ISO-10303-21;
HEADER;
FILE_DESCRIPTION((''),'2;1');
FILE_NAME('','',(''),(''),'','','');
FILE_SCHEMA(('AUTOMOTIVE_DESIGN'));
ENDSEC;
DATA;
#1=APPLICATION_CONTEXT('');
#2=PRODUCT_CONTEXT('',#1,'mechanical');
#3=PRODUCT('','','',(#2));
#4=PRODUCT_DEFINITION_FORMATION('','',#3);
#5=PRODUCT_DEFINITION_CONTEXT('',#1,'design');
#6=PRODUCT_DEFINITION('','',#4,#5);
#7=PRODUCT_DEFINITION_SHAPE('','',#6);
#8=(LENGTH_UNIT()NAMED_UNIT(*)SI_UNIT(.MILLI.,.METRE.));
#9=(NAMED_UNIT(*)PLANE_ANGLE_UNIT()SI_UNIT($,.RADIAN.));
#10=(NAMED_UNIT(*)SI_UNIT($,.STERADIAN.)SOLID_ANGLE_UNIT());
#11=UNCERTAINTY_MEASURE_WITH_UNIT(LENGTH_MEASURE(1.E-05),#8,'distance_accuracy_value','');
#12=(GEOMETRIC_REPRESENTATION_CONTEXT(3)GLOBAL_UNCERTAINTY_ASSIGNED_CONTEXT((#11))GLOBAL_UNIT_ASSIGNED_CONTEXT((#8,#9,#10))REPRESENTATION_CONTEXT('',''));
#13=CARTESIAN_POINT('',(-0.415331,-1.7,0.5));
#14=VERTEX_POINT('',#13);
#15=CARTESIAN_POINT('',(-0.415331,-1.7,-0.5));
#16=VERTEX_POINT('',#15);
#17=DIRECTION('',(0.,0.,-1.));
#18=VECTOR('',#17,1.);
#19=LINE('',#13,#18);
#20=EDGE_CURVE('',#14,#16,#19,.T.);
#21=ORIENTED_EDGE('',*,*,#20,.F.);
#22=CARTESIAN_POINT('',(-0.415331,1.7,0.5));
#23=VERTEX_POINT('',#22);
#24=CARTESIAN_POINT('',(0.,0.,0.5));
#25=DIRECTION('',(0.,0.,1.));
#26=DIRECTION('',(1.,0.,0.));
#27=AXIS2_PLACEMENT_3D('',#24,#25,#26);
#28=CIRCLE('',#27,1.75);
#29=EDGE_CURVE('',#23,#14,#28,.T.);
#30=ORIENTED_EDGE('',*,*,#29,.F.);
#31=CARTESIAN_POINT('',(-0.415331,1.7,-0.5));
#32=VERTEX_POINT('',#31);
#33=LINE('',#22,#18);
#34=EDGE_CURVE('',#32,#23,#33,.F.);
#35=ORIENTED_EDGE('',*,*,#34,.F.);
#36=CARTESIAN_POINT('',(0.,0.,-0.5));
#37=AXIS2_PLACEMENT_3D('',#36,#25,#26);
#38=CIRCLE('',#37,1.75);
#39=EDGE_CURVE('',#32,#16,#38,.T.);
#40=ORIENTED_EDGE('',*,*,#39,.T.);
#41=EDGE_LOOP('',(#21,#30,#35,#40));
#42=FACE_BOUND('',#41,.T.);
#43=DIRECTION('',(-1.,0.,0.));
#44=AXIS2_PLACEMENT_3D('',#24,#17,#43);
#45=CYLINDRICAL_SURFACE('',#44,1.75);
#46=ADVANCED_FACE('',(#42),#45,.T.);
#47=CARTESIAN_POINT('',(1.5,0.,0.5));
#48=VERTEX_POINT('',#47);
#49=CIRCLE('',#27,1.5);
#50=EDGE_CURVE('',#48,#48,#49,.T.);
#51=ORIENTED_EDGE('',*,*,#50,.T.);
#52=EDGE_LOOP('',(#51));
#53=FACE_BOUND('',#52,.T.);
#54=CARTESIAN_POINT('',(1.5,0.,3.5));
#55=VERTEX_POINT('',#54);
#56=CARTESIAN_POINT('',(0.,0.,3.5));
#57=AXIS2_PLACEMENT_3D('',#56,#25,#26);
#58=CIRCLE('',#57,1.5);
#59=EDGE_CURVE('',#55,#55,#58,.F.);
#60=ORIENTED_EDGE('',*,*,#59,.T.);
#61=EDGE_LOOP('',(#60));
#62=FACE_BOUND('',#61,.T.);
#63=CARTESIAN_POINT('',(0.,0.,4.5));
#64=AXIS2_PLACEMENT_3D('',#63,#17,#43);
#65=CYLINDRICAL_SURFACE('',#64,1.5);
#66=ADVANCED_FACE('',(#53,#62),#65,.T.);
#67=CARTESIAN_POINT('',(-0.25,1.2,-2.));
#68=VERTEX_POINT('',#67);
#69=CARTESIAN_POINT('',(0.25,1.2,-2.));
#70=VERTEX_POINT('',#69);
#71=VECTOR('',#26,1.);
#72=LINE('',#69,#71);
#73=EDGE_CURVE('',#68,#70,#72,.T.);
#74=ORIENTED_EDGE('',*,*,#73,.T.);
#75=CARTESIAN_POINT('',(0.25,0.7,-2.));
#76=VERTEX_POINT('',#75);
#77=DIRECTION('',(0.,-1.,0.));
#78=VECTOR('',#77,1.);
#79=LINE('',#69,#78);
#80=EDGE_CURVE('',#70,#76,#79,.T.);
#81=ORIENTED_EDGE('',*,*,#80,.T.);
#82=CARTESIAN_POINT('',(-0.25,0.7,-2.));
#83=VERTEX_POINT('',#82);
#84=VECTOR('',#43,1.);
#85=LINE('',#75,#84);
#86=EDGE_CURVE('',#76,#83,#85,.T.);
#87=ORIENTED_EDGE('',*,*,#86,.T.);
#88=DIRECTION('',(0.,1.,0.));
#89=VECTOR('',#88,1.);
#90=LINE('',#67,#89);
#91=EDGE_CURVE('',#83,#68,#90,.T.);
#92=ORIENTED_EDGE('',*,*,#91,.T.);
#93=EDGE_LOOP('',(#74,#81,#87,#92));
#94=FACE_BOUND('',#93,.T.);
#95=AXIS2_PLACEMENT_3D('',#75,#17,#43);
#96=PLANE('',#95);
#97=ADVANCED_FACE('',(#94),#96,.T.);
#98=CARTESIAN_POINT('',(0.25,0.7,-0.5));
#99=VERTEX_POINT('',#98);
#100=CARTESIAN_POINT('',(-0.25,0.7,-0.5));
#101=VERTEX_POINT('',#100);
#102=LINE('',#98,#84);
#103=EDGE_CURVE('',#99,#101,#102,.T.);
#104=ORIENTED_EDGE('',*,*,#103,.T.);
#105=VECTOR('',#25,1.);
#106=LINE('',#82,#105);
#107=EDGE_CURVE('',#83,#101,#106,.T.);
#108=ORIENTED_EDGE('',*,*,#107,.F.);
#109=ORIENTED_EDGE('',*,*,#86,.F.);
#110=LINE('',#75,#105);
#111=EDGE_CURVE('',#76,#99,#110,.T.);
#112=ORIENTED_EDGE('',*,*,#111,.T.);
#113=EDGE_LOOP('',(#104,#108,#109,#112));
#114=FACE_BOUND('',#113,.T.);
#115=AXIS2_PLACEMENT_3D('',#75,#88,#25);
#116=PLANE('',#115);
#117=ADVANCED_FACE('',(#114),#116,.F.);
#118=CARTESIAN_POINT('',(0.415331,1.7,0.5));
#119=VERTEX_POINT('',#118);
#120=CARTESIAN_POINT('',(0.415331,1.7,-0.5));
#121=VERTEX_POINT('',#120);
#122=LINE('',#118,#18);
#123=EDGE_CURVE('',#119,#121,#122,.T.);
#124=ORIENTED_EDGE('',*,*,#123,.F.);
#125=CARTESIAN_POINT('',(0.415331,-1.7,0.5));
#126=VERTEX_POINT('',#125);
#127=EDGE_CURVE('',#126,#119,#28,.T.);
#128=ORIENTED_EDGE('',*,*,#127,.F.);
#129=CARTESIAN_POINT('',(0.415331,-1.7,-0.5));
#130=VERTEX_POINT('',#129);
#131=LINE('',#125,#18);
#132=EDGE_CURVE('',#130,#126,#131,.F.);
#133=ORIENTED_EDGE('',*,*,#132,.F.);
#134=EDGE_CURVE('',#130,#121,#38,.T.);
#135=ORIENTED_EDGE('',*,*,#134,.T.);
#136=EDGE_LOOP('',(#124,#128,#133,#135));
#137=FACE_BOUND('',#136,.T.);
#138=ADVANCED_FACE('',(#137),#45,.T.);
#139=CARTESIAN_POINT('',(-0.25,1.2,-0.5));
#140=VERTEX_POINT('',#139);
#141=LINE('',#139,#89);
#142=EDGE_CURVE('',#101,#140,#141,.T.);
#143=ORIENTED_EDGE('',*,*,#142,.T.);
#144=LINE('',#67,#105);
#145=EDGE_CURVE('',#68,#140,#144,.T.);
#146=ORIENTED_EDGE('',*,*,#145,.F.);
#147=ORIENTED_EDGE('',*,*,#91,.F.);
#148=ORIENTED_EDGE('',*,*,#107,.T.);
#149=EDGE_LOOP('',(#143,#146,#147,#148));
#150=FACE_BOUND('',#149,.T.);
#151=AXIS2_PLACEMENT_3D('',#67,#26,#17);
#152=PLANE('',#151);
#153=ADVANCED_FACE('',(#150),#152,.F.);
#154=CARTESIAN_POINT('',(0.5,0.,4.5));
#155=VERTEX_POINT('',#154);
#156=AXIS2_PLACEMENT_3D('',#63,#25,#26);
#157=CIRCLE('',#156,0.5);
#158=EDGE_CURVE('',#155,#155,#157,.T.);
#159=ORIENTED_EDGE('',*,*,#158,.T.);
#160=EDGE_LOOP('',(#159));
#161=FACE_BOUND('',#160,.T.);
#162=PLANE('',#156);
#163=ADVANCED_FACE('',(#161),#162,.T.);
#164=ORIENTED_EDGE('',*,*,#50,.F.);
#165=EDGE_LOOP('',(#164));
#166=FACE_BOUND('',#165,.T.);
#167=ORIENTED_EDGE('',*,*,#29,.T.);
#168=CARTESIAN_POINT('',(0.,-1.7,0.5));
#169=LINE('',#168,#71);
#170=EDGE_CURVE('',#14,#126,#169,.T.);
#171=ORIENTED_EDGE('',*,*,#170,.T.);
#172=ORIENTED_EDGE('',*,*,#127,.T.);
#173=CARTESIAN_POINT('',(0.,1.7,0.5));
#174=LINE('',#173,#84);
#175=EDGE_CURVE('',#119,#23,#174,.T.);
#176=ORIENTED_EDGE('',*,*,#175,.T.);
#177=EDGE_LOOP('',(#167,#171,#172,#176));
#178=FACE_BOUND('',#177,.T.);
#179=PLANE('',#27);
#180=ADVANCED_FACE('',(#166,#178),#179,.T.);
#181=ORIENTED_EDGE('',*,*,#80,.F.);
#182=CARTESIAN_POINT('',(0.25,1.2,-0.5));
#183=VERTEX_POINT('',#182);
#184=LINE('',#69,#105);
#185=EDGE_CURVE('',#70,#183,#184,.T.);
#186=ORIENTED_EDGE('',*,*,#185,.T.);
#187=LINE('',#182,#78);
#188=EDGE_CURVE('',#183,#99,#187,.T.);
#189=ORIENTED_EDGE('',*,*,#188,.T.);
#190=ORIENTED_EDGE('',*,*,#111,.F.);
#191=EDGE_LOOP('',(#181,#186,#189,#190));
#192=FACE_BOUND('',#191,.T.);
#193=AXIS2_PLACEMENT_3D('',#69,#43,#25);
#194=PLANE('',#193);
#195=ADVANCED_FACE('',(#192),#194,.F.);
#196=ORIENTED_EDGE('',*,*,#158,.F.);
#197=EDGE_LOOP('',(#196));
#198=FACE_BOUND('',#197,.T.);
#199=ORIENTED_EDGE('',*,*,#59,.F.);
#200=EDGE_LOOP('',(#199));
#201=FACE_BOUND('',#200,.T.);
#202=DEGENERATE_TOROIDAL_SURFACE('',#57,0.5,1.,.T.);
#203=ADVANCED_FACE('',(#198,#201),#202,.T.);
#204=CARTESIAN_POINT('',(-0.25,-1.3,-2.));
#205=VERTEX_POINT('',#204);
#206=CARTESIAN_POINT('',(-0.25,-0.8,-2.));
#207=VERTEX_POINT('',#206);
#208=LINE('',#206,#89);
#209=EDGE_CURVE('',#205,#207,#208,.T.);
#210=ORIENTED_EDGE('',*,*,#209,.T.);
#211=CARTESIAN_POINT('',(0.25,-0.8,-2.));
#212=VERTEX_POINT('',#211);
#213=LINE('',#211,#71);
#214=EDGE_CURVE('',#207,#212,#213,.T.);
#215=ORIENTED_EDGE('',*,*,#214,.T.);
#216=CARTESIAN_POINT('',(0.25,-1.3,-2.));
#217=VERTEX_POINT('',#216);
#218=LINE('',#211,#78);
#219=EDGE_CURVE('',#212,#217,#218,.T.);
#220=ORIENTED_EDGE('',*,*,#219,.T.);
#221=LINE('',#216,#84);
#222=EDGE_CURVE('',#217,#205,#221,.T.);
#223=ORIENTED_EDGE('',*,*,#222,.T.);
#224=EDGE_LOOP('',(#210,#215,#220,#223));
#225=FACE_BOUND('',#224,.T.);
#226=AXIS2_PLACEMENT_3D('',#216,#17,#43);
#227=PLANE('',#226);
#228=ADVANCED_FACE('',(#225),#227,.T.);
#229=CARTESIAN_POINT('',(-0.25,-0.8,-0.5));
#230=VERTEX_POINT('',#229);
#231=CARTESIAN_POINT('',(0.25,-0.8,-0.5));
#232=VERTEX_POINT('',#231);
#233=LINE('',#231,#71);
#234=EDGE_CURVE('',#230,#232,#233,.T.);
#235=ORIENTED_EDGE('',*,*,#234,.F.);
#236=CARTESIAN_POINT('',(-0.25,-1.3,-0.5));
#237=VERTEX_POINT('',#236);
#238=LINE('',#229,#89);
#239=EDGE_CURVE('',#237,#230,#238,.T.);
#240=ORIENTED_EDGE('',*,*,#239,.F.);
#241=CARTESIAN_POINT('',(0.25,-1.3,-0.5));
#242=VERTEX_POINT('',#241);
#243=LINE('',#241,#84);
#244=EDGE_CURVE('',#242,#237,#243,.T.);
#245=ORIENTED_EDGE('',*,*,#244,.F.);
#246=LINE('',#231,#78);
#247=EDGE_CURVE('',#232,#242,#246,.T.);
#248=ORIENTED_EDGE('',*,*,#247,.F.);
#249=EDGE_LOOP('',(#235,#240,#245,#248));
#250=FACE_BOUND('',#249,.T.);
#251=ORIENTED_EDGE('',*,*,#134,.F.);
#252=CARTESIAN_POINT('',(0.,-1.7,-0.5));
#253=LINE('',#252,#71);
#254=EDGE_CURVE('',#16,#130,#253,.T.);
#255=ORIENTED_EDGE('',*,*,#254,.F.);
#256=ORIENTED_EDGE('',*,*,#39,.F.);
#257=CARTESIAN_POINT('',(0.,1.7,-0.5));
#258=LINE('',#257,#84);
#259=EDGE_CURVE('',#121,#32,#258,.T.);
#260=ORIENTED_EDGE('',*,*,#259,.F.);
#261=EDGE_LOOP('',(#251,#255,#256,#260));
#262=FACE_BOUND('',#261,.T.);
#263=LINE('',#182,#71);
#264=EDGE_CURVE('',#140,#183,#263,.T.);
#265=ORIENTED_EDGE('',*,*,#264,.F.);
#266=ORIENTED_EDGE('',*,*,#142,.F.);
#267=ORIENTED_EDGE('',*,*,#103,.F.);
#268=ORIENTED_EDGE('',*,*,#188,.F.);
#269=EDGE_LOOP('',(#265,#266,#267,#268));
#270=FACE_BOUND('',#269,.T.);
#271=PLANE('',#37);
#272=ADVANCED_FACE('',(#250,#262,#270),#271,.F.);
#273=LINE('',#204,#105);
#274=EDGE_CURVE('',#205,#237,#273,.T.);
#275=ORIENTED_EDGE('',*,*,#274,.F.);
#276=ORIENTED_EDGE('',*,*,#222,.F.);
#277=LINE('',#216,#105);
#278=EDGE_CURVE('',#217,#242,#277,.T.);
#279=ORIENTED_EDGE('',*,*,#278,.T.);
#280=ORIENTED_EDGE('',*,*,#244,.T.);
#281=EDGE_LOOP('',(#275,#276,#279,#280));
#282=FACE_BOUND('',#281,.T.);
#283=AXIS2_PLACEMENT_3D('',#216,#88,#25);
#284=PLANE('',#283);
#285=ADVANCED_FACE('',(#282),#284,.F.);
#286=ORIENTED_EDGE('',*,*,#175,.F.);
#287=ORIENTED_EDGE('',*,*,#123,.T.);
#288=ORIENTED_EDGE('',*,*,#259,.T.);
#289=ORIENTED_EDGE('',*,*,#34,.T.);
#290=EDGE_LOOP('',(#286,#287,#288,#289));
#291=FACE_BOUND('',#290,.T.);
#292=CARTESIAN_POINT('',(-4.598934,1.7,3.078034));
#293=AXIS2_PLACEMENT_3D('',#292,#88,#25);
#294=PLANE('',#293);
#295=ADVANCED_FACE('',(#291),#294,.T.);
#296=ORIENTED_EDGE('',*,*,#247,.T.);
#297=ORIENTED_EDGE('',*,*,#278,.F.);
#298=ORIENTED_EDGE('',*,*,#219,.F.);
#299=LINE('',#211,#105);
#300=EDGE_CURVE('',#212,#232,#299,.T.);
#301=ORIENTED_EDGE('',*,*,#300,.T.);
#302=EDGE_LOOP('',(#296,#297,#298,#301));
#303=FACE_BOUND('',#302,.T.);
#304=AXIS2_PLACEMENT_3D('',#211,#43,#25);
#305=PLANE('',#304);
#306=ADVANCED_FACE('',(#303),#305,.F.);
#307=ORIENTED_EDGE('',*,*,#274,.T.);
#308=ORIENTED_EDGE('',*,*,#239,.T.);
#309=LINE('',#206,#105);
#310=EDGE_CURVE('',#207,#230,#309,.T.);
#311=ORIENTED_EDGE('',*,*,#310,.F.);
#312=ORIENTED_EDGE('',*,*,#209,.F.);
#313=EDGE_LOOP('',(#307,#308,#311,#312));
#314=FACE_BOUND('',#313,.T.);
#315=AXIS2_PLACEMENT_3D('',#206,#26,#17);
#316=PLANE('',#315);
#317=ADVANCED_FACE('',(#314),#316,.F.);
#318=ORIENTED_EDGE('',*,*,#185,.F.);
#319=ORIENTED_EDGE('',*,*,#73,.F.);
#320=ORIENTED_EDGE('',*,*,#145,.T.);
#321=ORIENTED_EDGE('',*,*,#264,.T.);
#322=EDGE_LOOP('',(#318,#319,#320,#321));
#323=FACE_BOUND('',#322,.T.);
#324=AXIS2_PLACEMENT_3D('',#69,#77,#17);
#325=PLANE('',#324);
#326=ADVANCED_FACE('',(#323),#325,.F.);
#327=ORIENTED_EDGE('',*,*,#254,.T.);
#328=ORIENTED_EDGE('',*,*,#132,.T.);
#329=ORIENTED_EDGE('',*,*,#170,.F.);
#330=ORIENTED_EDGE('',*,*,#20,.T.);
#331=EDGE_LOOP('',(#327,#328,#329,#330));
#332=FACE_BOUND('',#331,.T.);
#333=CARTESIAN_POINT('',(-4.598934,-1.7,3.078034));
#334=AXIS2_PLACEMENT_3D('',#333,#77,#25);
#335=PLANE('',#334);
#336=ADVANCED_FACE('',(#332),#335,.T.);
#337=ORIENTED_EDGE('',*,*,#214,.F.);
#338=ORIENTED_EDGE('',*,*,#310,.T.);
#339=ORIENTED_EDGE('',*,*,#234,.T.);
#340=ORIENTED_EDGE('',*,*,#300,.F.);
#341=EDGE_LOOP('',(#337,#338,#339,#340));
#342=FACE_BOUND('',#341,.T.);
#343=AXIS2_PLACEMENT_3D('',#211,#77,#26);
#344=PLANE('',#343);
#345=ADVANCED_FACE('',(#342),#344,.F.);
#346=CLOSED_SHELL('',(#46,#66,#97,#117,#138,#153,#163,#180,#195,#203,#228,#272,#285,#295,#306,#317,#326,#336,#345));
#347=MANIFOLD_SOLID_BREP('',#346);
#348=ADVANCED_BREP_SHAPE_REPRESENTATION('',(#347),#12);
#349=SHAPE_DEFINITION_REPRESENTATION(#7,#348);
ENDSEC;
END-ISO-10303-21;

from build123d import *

# Parameters (mm, degrees)
SKETCH1_R      = 1.75
EXTRUDE1_DEPTH = 0.5
SKETCH2_R      = 1.5
EXTRUDE2_DEPTH = 4
FILLET2_R      = 1
SKETCH4_W      = 13.081078865
SKETCH4_H      = 5.810496129
EXTRUDE3_DEPTH = 1.3
SKETCH5_W      = 0.5
SKETCH5_H      = 0.5
EXTRUDE4_DEPTH = 1.5


with BuildPart() as part:
    # Sketch1 → Extrude1 (new, symmetric)
    with BuildSketch(Plane.XY):
        Circle(SKETCH1_R)
    extrude(amount=EXTRUDE1_DEPTH, both=True)

    # Sketch2 → Extrude2 (add)
    with BuildSketch(Plane.XY.offset(0.5)):
        Circle(SKETCH2_R)
    extrude(amount=EXTRUDE2_DEPTH)

    # Fillet2
    fillet2_edges = [part.edges().sort_by_distance(p)[0] for p in [
        (-1.5, 0, 4.5),
    ]]
    fillet(fillet2_edges, radius=FILLET2_R)

    # Sketch4 → Extrude3 (cut)
    with BuildSketch(Plane(origin=(0, 3, 0), x_dir=(-1, 0, 0), z_dir=(0, 1, 0))):
        with Locations((-1.941605697, 0.17278636)):
            Rectangle(SKETCH4_W, SKETCH4_H)
    extrude3 = extrude(amount=-EXTRUDE3_DEPTH, mode=Mode.SUBTRACT)

    # Sketch5 → Extrude4 (add)
    with BuildSketch(Plane(origin=(0, 0, -0.5), x_dir=(-1, 0, 0), z_dir=(0, 0, -1))):
        with Locations((0, 0.95)):
            Rectangle(SKETCH5_W, SKETCH5_H)
        with Locations((0, -1.05)):
            Rectangle(SKETCH5_W, SKETCH5_H)
    extrude(amount=EXTRUDE4_DEPTH)

    # Simetría1: Extrude3 across plane
    add(extrude3.mirror(Plane.ZX), mode=Mode.SUBTRACT)


solid = part.part
